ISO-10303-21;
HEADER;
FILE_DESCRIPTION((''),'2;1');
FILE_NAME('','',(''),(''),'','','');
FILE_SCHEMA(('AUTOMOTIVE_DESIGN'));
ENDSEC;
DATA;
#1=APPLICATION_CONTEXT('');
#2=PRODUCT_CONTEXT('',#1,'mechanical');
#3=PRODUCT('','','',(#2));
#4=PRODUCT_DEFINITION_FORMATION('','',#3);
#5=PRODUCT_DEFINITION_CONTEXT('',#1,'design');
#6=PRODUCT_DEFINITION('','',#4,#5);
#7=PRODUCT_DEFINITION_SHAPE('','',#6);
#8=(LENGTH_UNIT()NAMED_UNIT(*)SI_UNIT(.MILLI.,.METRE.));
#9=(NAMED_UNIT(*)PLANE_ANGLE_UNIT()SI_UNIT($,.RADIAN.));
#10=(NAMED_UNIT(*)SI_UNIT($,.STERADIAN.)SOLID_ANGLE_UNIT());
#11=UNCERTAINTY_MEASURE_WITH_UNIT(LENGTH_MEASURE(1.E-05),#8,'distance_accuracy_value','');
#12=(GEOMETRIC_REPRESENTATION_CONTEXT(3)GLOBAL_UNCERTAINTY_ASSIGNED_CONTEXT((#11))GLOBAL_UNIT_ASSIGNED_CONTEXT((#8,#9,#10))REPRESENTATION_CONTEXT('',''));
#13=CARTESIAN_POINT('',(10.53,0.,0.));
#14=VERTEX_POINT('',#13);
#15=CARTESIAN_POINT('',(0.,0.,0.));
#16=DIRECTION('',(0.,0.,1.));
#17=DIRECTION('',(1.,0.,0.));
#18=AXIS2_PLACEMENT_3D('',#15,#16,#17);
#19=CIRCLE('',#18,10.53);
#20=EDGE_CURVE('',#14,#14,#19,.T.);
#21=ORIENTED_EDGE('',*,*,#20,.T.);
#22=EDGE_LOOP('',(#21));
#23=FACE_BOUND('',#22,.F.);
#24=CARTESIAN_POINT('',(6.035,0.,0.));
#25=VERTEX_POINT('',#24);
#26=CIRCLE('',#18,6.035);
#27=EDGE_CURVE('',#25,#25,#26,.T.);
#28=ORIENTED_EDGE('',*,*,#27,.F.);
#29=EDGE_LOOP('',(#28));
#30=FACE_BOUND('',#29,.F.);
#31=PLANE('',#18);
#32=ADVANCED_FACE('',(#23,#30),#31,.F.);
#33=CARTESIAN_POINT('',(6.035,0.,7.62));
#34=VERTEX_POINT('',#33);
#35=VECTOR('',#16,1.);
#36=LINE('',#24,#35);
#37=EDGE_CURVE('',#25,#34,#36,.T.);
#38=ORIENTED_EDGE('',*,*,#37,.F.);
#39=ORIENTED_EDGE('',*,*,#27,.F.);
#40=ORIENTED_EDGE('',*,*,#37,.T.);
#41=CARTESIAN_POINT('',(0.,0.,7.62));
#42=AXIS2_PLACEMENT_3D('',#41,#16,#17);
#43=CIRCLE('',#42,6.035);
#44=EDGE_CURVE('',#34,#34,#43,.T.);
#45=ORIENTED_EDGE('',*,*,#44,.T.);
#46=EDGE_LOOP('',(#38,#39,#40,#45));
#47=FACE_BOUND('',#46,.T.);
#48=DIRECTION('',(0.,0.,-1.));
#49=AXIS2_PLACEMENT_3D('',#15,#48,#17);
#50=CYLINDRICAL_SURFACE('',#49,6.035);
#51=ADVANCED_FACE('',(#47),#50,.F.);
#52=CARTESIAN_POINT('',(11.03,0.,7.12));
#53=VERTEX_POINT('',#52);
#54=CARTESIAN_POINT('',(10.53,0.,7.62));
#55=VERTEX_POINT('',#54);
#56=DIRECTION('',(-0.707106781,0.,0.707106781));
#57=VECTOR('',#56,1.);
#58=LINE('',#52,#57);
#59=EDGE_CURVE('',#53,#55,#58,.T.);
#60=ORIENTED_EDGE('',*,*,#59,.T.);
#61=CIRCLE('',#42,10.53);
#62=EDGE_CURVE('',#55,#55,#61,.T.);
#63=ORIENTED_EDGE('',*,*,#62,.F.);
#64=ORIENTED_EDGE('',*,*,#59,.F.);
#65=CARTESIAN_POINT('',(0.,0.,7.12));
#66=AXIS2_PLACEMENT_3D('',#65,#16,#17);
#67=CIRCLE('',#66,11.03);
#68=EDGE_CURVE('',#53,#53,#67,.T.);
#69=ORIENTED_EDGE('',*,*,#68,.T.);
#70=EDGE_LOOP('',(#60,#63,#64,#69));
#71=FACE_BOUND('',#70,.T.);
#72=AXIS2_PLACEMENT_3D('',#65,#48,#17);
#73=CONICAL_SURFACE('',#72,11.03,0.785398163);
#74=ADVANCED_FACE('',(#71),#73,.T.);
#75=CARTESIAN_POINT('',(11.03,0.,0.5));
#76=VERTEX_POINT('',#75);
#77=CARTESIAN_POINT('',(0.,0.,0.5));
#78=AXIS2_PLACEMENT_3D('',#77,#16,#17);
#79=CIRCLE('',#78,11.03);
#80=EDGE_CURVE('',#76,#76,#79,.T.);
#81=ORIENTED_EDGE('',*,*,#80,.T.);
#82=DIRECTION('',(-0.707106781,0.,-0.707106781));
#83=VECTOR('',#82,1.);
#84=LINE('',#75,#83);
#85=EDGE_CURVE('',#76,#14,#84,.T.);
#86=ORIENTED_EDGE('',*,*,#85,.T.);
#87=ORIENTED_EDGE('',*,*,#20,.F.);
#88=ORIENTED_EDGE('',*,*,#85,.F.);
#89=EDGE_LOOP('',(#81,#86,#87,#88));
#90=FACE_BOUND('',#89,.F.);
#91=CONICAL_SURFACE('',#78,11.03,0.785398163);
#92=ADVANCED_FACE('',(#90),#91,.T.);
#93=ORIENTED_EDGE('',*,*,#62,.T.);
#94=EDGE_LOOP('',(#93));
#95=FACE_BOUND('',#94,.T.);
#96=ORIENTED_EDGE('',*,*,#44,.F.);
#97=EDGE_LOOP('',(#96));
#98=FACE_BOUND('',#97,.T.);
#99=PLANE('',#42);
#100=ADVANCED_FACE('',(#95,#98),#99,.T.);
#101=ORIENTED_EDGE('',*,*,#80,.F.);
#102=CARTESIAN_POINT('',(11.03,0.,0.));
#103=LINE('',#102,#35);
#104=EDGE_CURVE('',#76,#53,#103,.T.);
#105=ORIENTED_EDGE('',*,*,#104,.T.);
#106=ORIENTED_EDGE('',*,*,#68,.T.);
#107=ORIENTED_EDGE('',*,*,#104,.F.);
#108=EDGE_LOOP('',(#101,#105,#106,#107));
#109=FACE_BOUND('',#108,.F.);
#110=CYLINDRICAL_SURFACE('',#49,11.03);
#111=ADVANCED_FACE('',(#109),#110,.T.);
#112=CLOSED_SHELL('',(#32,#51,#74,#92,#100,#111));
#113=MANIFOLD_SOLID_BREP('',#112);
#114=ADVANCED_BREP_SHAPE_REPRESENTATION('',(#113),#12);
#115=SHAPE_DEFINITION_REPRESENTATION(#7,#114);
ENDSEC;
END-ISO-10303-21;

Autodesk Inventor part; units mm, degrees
ref_plane "YZ Plane" through (0, 0, 0) normal (1, 0, 0) x (0, 1, 0)
ref_plane "XZ Plane" through (0, 0, 0) normal (0, 1, 0) x (-1, 0, 0)
ref_plane "XY Plane" through (0, 0, 0) normal (0, 0, 1) x (1, 0, 0)
sketch "Sketch1" plane through (0, 0, 0) normal (0, 0, 1) x (1, 0, 0)
  circle A0 centre (0, 0) radius 11.03
  circle A1 centre (0, 0) radius 6.035
  dimension "d0" = 22.06
  dimension "d1" = 12.07
extrude "Extrusion1" add sketch "Sketch1" along normal blind 7.62
chamfer "Chamfer1" distance 0.5 angle 45 2 edges at (-11.03, 0, 7.62) (-11.03, 0, 0)
properties part number "Washer"
